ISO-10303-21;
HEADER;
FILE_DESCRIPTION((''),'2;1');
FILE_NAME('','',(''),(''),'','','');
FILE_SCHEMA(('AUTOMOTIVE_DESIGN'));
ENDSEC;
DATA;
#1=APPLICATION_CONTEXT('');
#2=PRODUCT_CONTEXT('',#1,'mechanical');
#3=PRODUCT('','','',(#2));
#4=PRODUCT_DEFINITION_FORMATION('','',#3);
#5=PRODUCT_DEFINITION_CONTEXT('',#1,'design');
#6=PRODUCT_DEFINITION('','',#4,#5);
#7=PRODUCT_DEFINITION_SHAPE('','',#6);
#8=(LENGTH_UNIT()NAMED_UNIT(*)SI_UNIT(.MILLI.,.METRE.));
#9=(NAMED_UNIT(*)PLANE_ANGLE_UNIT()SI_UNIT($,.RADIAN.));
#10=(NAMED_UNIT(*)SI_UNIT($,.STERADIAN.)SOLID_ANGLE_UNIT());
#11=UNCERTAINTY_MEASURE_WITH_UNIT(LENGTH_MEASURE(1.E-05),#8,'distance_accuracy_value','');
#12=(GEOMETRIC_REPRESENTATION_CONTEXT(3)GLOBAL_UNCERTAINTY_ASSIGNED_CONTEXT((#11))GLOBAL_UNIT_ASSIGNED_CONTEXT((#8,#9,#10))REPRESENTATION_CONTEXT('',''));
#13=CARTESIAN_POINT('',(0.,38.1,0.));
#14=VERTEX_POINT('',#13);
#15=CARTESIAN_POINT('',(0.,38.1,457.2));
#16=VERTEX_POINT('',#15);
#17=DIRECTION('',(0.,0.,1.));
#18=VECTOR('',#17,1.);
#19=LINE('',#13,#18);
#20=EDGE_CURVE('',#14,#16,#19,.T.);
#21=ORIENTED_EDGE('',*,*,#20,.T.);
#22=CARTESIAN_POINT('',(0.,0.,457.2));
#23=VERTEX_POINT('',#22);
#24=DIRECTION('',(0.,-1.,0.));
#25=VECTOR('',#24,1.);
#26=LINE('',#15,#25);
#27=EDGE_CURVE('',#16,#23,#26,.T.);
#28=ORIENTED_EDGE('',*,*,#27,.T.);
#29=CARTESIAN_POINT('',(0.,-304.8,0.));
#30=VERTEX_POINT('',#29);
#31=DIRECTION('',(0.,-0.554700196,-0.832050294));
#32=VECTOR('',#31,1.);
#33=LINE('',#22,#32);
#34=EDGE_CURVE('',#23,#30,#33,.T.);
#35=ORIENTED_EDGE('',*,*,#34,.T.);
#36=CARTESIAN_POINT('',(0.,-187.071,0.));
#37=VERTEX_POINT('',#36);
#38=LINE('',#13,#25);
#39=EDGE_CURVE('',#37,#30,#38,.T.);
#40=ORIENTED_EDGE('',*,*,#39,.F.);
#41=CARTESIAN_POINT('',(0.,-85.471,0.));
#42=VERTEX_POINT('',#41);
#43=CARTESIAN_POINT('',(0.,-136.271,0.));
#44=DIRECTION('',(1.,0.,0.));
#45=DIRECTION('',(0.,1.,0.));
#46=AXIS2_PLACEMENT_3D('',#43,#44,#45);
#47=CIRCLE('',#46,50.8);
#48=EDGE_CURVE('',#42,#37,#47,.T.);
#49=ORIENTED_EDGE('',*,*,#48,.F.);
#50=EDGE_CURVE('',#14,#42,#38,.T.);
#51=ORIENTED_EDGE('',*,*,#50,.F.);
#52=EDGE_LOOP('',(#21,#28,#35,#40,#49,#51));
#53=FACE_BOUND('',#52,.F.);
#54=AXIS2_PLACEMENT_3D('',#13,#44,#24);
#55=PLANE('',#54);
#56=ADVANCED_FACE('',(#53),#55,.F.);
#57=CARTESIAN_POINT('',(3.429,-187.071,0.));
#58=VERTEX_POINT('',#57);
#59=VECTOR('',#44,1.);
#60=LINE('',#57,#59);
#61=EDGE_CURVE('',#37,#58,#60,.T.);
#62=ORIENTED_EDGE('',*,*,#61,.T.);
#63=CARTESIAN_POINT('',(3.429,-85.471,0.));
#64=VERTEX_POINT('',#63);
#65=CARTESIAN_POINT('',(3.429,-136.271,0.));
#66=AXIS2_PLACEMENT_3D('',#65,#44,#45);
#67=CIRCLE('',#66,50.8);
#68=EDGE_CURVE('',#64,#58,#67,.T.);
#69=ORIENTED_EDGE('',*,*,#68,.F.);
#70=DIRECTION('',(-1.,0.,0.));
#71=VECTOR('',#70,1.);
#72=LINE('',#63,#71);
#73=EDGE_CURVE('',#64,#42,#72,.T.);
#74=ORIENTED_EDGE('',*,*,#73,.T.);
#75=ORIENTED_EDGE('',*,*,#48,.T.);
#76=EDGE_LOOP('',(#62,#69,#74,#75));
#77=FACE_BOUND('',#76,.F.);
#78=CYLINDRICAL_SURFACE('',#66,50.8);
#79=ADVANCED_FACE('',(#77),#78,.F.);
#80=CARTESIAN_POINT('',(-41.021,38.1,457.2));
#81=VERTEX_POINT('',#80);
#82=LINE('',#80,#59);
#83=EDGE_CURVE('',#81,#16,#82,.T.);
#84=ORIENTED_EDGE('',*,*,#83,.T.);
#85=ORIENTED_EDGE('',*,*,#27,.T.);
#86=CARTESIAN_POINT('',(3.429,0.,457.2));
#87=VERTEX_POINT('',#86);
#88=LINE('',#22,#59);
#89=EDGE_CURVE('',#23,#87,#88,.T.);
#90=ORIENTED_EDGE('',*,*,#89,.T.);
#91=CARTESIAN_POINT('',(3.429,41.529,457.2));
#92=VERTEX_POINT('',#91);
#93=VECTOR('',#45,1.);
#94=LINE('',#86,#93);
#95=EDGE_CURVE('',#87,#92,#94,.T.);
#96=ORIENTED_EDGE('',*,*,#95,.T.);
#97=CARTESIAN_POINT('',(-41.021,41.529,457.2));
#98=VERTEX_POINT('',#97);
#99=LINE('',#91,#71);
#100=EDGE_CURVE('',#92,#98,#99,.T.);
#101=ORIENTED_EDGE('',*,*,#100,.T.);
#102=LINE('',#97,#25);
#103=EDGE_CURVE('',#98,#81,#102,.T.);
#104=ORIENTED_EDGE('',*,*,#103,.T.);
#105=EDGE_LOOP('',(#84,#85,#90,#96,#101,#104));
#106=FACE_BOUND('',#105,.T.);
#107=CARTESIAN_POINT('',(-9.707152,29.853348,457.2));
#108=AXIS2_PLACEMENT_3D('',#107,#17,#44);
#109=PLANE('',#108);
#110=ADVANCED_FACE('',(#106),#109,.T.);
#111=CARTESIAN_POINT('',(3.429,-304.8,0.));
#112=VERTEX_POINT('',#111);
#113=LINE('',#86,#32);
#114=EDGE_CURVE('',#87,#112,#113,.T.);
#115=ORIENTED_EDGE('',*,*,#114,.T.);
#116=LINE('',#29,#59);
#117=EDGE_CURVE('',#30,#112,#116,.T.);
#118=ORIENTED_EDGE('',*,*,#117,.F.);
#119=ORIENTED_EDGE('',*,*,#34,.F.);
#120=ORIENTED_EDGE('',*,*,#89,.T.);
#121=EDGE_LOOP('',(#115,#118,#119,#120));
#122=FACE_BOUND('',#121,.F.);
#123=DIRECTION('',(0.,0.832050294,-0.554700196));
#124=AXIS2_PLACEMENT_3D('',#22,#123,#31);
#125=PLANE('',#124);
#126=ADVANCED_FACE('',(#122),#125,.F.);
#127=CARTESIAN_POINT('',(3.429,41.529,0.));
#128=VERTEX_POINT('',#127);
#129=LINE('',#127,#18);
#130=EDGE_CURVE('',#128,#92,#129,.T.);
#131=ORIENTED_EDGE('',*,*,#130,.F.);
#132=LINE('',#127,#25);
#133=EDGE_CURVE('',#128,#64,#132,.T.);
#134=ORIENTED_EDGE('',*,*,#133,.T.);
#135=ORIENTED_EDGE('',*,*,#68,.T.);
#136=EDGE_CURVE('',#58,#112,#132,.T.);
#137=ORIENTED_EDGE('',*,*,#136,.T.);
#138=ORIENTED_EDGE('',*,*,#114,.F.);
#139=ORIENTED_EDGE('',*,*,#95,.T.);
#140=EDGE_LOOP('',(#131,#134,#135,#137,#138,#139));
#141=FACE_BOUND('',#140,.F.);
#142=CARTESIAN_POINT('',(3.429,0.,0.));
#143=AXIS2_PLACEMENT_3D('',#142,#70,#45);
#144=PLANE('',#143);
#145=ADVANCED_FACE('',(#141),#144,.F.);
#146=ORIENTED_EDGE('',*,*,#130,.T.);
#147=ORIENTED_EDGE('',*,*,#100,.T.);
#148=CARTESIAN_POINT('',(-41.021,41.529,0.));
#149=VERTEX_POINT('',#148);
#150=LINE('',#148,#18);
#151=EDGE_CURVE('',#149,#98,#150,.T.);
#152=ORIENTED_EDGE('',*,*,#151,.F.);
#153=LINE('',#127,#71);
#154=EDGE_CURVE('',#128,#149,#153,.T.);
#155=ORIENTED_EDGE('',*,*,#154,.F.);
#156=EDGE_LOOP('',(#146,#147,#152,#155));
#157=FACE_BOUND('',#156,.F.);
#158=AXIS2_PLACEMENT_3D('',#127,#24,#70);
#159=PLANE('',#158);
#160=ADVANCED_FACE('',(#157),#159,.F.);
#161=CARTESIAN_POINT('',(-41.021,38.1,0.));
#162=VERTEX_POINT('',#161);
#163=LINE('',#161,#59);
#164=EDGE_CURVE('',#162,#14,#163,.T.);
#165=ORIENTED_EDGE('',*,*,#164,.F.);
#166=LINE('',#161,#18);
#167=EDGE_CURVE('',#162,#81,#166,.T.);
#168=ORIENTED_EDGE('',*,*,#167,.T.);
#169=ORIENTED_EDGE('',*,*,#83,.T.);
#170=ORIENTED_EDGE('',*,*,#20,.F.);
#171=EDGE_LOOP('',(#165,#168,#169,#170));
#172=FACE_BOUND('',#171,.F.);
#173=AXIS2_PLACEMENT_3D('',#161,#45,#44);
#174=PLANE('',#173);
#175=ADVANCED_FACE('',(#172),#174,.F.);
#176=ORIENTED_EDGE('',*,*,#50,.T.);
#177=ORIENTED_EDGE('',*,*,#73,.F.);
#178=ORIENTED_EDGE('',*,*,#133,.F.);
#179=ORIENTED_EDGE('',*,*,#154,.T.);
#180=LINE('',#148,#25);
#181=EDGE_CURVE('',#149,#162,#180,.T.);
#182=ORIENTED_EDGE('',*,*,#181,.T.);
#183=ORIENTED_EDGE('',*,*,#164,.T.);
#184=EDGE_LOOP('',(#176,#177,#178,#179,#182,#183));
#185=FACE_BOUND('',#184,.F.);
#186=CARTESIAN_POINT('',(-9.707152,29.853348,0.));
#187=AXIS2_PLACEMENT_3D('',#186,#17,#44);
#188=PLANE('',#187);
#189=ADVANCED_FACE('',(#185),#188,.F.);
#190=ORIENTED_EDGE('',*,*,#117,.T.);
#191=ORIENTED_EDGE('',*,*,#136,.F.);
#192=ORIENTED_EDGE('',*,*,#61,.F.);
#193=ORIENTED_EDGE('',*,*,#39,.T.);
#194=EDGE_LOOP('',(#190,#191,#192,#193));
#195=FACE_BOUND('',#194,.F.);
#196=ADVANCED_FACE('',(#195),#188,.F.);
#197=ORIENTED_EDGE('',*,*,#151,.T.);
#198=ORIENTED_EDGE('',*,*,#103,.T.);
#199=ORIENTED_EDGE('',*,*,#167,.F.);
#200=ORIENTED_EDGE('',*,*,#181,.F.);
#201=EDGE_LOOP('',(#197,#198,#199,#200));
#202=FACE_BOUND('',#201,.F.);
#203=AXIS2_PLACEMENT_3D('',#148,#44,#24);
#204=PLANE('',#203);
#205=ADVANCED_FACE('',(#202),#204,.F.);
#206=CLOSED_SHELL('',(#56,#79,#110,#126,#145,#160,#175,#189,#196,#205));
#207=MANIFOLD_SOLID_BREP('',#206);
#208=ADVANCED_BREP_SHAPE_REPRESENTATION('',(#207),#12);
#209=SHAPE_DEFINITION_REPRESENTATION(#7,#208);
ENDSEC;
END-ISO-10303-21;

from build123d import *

# Parameters (mm, degrees)
F1_DEPTH = 3.429
F3_DEPTH = 457.2
F4_R     = 50.8
F5_DEPTH = 25.4


with BuildPart() as f1:
    # F0 (on Right) → F1 (new body)
    with BuildSketch(Plane.YZ):
        Polygon((-304.8, 0), (0, 0), (0, 457.2), align=None)
    extrude(amount=F1_DEPTH)

    # F2 (on Top) → F3 (join, through all)
    with BuildSketch(Plane.XY):
        Polygon((0, 38.1), (0, 0), (3.429, 0), (3.429, 41.529), (-41.021, 41.529), (-41.021, 38.1), align=None)
    extrude(amount=F3_DEPTH)

    # F4 (on face) → F5 (cut)
    with BuildSketch(Plane.YZ.offset(3.429)):
        with Locations((-136.271, 0)):
            Circle(F4_R)
    extrude(amount=-F5_DEPTH, mode=Mode.SUBTRACT)


solid = f1.part
